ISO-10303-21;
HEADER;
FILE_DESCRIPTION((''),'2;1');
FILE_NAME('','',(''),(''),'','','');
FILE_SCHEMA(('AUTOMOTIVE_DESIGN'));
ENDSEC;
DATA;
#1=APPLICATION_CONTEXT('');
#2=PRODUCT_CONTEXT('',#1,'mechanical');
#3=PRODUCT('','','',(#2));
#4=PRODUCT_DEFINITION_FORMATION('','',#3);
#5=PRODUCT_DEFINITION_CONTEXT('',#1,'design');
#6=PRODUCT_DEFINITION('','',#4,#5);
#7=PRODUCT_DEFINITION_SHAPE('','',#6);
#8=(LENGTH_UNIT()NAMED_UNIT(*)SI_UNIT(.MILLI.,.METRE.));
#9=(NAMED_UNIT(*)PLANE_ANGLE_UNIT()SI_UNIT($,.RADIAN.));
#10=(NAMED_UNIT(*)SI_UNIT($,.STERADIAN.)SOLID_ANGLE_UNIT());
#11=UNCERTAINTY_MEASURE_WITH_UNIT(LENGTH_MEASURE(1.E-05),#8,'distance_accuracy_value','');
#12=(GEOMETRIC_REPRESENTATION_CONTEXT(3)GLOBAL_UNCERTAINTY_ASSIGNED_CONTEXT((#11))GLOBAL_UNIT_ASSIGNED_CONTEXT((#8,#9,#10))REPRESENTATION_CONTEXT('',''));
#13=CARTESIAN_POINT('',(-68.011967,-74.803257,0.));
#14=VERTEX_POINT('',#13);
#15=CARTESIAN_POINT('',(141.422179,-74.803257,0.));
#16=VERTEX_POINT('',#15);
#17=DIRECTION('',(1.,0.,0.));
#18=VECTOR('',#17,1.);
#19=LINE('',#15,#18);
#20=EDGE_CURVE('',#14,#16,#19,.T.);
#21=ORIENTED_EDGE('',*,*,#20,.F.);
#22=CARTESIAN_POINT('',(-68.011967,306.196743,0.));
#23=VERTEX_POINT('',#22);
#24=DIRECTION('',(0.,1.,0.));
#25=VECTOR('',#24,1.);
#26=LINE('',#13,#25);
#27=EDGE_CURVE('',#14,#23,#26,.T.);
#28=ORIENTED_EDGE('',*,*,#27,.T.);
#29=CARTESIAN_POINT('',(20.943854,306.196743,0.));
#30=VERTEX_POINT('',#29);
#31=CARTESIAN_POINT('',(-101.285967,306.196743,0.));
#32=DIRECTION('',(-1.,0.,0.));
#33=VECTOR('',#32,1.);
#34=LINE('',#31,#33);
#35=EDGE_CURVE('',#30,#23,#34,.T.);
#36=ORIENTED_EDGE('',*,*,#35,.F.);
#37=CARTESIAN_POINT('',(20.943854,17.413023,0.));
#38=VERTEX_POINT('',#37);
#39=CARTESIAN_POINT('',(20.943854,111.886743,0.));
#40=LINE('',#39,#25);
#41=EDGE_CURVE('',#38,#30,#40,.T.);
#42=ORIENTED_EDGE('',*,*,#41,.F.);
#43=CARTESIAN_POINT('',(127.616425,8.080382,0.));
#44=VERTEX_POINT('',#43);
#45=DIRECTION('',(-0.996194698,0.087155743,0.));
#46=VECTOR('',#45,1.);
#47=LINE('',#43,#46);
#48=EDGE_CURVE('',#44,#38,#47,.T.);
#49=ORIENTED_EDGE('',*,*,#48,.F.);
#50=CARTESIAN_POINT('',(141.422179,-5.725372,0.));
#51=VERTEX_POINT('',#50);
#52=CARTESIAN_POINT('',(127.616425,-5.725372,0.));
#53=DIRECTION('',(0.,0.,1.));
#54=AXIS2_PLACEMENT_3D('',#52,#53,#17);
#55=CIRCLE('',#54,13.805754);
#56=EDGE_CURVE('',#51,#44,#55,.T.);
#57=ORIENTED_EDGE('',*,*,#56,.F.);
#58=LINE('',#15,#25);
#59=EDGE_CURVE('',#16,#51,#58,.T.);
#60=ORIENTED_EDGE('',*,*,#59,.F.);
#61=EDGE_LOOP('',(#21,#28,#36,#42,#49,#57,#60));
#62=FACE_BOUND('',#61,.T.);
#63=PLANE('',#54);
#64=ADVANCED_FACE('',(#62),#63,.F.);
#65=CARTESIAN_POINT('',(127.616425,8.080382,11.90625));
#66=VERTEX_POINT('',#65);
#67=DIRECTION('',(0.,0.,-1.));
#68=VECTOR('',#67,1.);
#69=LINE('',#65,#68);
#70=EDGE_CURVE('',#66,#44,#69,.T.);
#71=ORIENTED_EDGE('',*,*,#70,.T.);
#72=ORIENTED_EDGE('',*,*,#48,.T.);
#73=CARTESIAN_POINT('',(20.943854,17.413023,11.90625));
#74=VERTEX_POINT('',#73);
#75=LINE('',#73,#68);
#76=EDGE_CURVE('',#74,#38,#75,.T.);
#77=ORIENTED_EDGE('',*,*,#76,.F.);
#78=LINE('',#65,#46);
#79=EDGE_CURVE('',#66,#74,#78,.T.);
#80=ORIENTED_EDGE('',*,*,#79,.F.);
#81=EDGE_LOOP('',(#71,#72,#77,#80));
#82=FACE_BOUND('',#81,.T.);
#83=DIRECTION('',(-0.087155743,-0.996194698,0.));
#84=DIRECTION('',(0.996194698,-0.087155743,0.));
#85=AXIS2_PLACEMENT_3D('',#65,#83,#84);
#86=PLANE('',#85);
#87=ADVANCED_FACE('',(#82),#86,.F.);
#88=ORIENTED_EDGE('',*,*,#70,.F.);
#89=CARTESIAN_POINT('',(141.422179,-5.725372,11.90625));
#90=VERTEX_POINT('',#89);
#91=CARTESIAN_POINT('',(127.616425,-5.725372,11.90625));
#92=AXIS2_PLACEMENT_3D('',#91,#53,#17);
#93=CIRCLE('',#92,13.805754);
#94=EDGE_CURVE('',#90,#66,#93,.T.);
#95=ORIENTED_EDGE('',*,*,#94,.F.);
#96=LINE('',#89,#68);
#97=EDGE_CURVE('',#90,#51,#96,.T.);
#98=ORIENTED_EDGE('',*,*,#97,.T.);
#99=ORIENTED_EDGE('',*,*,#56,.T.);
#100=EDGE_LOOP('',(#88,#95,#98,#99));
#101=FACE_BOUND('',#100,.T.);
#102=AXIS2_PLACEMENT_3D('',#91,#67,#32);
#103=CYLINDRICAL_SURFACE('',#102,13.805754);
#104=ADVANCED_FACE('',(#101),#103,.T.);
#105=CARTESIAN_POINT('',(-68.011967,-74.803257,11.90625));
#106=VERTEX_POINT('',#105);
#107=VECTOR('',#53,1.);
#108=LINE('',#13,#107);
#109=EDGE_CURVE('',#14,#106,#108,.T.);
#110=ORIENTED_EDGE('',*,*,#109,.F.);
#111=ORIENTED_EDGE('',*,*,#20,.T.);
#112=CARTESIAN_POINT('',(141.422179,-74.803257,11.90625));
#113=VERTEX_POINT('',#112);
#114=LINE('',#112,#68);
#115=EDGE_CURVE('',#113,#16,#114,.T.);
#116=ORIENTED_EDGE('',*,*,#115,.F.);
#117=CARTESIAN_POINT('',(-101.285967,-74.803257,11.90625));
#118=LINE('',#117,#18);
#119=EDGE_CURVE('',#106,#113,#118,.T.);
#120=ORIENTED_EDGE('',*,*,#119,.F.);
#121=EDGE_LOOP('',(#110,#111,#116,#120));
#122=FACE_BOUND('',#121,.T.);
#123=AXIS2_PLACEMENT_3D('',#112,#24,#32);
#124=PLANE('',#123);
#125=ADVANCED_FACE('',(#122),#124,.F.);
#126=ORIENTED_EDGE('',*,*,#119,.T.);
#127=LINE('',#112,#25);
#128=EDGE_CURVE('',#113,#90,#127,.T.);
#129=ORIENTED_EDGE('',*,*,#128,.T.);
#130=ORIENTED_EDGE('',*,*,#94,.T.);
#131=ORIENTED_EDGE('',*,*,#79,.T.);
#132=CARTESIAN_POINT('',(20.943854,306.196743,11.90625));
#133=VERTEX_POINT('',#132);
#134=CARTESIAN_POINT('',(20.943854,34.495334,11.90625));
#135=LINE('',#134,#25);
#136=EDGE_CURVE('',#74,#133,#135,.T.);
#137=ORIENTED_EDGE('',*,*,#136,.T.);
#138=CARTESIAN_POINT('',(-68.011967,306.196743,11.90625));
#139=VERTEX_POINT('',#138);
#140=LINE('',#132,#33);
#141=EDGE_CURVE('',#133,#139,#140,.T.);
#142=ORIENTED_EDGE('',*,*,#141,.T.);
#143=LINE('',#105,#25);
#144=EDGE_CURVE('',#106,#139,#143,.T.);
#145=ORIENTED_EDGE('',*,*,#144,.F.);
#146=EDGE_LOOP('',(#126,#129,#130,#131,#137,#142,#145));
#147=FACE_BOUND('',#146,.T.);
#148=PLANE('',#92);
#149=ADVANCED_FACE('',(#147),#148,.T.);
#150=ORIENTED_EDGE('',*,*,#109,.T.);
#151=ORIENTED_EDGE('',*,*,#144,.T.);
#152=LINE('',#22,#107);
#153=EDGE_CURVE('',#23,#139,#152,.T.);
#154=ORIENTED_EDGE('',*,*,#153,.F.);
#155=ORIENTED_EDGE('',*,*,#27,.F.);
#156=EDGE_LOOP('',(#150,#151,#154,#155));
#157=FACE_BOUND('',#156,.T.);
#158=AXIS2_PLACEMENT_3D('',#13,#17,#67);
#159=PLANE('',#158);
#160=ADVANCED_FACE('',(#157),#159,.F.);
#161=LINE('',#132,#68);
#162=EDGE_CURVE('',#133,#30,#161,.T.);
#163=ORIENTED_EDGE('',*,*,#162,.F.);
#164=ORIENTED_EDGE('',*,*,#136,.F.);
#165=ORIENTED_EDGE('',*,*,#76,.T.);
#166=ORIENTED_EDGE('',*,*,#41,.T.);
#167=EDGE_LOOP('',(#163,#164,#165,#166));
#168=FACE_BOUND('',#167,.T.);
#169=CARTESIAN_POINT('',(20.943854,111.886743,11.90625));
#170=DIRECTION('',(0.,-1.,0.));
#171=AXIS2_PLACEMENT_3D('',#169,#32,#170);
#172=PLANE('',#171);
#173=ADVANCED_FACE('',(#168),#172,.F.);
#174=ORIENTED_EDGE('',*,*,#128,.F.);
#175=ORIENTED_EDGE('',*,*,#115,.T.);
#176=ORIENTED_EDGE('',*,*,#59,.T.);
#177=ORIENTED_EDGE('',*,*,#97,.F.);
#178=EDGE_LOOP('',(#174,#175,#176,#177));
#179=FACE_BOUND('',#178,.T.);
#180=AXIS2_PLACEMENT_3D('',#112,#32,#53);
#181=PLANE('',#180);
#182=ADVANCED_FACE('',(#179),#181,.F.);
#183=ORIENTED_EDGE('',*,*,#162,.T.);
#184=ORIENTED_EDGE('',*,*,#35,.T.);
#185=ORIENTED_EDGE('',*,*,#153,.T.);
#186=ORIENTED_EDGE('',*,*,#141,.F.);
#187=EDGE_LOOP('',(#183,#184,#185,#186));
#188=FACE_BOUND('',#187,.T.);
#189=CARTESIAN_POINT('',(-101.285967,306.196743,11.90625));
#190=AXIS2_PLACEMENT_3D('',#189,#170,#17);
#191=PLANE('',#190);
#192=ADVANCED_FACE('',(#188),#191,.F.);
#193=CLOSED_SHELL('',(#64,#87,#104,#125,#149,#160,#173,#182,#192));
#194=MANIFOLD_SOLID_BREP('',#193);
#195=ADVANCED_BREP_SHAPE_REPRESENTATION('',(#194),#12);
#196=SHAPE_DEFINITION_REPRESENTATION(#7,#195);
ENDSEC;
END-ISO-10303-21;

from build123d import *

# Parameters (mm, degrees)
BOSS_EXTRUDE1_DEPTH = 11.90625
SKETCH2_W           = 33.274
SKETCH2_H           = 381
CUT_EXTRUDE1_DEPTH  = 12.90625


with BuildPart() as part:
    # Sketch1 → Boss-Extrude1 (new body)
    with BuildSketch(Plane.XY):
        with BuildLine():
            Line((-101.285966724, 306.196742645), (0.115853822, 306.196742645))
            Line((0.115853822, 306.196742645), (20.943853822, 306.196742645))
            Line((20.943853822, 306.196742645), (20.943853822, 111.886742645))
            Line((20.943853822, 111.886742645), (20.943853822, 34.495334159))
            Line((20.943853822, 34.495334159), (20.943853822, 17.413022699))
            Line((20.943853822, 17.413022699), (127.616425214, 8.080381993))
            ThreePointArc((127.616425214, 8.080381993), (137.378567656, 4.036770195), (141.422179454, -5.725372247))
            Line((141.422179454, -5.725372247), (141.422179454, -74.803257355))
            Line((141.422179454, -74.803257355), (133.664033276, -74.803257355))
            Line((133.664033276, -74.803257355), (-101.285966724, -74.803257355))
            Line((-101.285966724, -74.803257355), (-101.285966724, 306.196742645))
        make_face()
    extrude(amount=BOSS_EXTRUDE1_DEPTH)

    # Sketch2 → Cut-Extrude1 (cut, through all)
    with BuildSketch(Plane.XY.offset(11.90625)):
        with Locations((-84.648966724, 115.696742645)):
            Rectangle(SKETCH2_W, SKETCH2_H)
    extrude(amount=-CUT_EXTRUDE1_DEPTH, mode=Mode.SUBTRACT)


solid = part.part
